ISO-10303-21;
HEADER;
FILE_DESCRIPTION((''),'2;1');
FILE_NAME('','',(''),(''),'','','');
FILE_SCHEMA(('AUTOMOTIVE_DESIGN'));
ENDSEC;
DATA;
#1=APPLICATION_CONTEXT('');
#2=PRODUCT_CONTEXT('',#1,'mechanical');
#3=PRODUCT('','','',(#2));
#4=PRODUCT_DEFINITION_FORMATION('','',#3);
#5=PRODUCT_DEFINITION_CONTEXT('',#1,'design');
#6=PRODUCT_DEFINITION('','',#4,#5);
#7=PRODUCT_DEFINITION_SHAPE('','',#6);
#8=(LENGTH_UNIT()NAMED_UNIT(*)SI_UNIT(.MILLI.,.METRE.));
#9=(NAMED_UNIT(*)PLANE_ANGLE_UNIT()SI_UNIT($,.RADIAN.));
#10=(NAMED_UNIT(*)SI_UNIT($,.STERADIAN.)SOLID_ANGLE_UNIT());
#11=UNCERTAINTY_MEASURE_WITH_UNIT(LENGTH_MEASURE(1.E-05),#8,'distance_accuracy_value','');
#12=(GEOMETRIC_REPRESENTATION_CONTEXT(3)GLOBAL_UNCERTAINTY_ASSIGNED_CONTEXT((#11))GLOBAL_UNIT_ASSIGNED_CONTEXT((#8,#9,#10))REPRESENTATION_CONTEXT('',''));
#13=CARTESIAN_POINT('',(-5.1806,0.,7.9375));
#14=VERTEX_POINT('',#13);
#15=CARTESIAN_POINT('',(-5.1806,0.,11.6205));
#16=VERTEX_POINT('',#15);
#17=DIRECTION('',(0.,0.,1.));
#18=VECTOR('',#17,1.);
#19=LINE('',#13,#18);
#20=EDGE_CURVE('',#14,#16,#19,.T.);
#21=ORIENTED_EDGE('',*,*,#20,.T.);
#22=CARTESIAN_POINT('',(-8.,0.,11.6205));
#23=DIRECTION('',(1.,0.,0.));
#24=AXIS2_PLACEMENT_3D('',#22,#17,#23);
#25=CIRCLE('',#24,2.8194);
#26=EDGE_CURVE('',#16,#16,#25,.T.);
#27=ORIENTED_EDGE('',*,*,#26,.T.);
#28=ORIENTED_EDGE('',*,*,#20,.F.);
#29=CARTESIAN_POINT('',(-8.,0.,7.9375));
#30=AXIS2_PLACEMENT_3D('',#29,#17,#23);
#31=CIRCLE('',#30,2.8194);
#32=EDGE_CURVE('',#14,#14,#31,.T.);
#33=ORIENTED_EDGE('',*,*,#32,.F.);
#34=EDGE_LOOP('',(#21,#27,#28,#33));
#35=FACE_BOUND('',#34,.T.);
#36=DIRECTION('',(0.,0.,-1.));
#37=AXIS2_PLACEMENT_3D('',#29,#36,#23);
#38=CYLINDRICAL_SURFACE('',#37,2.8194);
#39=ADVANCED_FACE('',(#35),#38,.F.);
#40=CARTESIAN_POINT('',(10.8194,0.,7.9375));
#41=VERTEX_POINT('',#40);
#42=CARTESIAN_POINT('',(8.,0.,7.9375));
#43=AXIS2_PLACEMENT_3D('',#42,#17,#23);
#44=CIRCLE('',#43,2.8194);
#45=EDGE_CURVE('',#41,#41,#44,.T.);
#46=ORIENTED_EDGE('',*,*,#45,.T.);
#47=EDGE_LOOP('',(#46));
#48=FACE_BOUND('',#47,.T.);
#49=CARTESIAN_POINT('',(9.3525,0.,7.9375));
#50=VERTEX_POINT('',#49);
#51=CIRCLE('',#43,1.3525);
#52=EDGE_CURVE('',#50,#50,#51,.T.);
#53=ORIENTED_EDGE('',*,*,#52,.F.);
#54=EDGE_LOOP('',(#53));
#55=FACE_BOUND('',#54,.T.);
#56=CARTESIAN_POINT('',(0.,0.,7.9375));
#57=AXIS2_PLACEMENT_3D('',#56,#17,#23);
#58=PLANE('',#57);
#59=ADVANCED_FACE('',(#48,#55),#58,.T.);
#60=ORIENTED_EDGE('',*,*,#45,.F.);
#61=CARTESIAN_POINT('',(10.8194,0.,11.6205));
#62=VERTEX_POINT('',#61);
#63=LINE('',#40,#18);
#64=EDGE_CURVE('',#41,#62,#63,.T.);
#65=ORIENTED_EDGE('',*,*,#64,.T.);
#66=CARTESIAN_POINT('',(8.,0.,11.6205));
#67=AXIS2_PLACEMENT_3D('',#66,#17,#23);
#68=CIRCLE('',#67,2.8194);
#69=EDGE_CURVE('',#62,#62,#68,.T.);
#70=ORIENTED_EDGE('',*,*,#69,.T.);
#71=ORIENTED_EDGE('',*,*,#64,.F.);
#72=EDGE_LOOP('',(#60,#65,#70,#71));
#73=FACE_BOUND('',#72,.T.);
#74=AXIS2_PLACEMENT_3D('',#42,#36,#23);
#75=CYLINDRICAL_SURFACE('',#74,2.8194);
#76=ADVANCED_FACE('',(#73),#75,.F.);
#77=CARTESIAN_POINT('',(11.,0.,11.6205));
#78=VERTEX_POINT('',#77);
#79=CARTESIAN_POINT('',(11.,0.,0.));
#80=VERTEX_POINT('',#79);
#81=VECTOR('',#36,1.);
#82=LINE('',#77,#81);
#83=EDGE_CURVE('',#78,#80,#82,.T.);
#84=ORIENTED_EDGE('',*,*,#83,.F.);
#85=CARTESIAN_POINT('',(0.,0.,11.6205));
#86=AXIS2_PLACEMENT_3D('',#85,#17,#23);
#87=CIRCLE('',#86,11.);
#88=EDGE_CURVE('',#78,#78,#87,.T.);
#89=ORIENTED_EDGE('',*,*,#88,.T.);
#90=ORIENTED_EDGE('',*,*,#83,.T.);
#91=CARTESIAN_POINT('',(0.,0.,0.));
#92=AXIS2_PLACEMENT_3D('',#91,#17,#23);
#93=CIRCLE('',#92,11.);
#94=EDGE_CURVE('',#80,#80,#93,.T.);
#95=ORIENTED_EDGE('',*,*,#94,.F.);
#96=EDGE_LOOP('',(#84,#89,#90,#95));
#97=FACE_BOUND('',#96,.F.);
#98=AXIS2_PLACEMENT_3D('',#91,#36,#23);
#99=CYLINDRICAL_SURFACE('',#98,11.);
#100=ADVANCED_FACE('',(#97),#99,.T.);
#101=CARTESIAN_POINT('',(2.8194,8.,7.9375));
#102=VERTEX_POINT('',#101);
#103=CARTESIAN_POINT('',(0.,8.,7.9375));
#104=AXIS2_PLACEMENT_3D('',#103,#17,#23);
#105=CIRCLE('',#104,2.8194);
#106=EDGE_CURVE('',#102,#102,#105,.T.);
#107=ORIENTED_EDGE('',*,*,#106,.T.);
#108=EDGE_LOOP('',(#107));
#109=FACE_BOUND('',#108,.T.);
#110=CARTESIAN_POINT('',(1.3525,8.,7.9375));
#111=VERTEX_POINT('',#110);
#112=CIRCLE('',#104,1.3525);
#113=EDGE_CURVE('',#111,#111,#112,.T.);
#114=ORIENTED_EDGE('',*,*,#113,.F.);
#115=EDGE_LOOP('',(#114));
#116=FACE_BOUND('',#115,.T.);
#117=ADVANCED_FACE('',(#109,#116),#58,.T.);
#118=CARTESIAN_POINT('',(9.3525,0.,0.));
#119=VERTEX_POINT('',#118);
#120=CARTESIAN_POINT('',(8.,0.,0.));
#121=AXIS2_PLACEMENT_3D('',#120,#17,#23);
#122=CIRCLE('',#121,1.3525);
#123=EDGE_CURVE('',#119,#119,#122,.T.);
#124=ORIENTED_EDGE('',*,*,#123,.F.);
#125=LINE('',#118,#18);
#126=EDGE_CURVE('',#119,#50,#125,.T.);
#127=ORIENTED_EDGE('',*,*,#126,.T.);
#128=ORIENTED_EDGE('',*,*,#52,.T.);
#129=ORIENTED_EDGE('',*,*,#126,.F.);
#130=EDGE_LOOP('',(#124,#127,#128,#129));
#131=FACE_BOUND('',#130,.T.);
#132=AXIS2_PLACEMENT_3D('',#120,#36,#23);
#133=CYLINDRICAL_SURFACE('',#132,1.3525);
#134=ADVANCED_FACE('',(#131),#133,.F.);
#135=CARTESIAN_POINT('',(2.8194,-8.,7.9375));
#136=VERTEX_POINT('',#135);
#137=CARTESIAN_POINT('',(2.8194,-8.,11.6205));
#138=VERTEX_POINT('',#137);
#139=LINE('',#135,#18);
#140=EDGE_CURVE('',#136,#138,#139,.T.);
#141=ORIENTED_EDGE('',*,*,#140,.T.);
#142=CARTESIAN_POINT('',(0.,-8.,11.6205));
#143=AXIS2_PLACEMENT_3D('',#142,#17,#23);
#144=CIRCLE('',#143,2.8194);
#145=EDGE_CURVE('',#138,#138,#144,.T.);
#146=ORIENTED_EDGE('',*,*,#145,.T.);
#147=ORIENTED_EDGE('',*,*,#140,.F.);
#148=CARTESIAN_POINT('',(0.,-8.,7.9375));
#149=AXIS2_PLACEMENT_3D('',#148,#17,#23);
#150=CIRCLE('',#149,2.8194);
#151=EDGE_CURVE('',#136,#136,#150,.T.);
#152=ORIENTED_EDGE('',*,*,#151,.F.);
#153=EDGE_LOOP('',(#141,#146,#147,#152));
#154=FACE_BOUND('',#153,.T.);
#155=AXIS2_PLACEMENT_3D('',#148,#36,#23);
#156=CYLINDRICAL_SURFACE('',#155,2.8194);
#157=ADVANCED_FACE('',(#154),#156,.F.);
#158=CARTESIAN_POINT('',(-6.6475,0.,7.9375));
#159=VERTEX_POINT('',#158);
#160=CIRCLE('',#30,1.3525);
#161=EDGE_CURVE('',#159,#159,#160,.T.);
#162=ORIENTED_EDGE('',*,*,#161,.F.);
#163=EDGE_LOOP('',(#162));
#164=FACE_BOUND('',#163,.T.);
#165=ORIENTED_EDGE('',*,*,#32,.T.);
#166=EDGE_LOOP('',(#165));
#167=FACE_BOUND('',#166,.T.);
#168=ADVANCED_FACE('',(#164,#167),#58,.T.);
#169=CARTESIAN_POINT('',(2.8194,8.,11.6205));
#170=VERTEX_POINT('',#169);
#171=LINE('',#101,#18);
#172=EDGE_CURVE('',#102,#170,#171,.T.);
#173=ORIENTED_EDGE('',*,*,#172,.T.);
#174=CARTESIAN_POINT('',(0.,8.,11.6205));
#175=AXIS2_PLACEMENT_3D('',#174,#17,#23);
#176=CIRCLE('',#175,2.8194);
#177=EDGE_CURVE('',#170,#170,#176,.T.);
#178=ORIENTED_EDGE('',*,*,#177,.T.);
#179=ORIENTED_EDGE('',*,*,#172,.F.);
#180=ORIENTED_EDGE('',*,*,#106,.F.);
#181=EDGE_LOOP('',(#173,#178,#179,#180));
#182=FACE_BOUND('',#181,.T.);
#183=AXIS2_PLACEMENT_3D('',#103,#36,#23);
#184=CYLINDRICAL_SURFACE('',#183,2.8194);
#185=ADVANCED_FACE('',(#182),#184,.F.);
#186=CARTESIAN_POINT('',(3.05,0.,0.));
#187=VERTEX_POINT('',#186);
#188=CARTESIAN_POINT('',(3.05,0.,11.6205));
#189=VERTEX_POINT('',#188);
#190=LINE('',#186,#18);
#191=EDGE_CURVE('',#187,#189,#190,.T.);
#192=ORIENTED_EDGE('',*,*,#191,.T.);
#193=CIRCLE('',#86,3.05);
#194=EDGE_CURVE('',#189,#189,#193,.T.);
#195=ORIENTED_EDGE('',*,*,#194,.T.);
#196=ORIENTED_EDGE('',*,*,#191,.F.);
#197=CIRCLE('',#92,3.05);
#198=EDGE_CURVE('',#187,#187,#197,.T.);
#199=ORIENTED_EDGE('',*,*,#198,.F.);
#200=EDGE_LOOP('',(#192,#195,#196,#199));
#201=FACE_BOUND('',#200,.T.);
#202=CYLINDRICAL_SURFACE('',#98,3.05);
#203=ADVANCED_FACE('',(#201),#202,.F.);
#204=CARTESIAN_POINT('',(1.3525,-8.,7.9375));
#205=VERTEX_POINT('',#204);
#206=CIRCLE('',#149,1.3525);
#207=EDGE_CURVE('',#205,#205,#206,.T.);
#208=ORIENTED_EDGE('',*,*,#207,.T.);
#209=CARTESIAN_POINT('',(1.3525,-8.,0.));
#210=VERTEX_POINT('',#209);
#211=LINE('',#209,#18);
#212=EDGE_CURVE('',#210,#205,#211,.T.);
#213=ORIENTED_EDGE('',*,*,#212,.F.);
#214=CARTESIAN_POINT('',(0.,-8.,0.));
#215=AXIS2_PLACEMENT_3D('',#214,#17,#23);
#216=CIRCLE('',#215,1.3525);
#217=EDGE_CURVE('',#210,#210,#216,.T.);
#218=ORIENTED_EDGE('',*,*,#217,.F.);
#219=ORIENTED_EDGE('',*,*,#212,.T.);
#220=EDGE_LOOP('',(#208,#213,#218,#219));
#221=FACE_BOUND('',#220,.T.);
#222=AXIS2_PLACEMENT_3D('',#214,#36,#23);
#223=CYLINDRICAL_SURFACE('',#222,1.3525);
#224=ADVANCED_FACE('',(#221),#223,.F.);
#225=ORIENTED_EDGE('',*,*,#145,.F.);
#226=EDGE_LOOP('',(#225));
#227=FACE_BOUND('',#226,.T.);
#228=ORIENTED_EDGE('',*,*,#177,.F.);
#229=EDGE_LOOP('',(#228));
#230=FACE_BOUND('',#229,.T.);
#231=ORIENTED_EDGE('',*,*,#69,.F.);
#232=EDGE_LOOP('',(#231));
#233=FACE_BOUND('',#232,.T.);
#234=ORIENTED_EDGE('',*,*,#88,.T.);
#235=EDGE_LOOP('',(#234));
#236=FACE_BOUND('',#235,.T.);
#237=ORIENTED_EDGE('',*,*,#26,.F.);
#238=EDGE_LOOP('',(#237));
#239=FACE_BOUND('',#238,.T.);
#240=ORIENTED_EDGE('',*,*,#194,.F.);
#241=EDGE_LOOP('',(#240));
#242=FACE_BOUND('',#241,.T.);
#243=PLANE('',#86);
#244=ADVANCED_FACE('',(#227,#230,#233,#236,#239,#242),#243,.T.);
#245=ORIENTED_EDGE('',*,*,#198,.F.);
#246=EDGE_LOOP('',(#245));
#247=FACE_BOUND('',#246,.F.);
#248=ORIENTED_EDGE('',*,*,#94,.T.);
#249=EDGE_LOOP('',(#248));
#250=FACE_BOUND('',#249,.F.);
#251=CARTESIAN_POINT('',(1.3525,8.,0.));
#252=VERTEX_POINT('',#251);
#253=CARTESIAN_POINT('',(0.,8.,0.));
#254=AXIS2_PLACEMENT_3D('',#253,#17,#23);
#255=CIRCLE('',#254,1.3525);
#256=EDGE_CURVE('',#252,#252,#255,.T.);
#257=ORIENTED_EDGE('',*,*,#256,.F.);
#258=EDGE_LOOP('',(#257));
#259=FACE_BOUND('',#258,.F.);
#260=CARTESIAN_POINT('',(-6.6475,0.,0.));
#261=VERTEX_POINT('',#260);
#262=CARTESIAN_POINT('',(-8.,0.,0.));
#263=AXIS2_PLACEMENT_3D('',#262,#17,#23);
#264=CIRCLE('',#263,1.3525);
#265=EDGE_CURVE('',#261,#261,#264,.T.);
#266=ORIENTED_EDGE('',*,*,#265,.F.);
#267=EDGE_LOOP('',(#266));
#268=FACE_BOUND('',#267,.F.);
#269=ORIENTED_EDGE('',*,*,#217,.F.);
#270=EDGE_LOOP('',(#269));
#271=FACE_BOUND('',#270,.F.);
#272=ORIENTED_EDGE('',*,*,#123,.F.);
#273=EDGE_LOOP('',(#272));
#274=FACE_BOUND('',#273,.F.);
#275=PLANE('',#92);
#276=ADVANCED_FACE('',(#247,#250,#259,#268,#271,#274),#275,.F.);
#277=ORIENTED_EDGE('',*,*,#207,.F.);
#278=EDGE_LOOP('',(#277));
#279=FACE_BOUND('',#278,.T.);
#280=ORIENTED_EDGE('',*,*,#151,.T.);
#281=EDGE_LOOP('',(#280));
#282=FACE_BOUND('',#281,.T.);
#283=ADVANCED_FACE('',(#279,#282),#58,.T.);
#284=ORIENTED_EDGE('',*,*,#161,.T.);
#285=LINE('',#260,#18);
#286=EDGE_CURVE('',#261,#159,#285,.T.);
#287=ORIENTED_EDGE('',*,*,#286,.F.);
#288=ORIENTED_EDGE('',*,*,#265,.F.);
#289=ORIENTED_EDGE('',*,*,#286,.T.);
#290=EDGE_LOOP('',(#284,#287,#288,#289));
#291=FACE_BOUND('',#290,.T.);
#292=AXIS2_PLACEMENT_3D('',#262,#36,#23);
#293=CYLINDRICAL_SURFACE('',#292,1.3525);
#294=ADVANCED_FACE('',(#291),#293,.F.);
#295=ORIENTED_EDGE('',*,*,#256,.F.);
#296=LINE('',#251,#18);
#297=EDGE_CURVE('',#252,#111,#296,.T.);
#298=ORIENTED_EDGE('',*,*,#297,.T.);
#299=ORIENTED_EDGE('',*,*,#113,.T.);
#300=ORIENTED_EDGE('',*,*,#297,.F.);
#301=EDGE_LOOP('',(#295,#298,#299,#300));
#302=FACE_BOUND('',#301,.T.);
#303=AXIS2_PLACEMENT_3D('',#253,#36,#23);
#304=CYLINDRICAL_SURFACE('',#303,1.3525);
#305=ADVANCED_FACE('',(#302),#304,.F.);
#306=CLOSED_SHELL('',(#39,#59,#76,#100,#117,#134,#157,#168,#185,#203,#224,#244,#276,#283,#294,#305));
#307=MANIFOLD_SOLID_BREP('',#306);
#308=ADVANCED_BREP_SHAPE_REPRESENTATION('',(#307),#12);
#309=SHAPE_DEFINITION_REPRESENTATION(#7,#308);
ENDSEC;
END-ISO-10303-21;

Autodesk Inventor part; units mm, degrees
ref_plane "YZ Plane" through (0, 0, 0) normal (1, 0, 0) x (0, 1, 0)
ref_plane "XZ Plane" through (0, 0, 0) normal (0, 1, 0) x (-1, 0, 0)
ref_plane "XY Plane" through (0, 0, 0) normal (0, 0, 1) x (1, 0, 0)
sketch "Sketch1" plane through (0, 0, 0) normal (0, 0, 1) x (1, 0, 0)
  circle A0 centre (0, 0) radius 11
  circle A1 centre (0, 0) radius 3.05
  circle A2 centre (-8, 0) radius 1.3525
  circle A3 centre (0, 8) radius 1.3525
  circle A4 centre (8, 0) radius 1.3525
  circle A5 centre (0, -8) radius 1.3525
extrude "Extrusion1" add sketch "Sketch1" along normal blind 7.9375
sketch "Sketch6" plane through (0, 0, 7.9375) normal (0, 0, 1) x (1, 0, 0)
  circle A0 centre (0, 0) radius 3.05 projected
  circle A1 centre (0, -8) radius 1.3525 construction
  circle A2 centre (8, 0) radius 1.3525 construction
  circle A3 centre (0, 8) radius 1.3525 construction
  circle A4 centre (-8, 0) radius 1.3525 construction
  circle A5 centre (0, 0) radius 11 projected
  circle A6 centre (0, -8) radius 1.3525 projected
  circle A7 centre (0, -8) radius 2.8194
  circle A8 centre (8, 0) radius 2.8194
  circle A9 centre (0, 8) radius 2.8194
  circle A10 centre (-8, 0) radius 2.8194
  dimension "d12" = 5.6388
extrude "Extrusion6" add sketch "Sketch6" along normal blind 3.683 contours A5
properties part number "adaptor"
